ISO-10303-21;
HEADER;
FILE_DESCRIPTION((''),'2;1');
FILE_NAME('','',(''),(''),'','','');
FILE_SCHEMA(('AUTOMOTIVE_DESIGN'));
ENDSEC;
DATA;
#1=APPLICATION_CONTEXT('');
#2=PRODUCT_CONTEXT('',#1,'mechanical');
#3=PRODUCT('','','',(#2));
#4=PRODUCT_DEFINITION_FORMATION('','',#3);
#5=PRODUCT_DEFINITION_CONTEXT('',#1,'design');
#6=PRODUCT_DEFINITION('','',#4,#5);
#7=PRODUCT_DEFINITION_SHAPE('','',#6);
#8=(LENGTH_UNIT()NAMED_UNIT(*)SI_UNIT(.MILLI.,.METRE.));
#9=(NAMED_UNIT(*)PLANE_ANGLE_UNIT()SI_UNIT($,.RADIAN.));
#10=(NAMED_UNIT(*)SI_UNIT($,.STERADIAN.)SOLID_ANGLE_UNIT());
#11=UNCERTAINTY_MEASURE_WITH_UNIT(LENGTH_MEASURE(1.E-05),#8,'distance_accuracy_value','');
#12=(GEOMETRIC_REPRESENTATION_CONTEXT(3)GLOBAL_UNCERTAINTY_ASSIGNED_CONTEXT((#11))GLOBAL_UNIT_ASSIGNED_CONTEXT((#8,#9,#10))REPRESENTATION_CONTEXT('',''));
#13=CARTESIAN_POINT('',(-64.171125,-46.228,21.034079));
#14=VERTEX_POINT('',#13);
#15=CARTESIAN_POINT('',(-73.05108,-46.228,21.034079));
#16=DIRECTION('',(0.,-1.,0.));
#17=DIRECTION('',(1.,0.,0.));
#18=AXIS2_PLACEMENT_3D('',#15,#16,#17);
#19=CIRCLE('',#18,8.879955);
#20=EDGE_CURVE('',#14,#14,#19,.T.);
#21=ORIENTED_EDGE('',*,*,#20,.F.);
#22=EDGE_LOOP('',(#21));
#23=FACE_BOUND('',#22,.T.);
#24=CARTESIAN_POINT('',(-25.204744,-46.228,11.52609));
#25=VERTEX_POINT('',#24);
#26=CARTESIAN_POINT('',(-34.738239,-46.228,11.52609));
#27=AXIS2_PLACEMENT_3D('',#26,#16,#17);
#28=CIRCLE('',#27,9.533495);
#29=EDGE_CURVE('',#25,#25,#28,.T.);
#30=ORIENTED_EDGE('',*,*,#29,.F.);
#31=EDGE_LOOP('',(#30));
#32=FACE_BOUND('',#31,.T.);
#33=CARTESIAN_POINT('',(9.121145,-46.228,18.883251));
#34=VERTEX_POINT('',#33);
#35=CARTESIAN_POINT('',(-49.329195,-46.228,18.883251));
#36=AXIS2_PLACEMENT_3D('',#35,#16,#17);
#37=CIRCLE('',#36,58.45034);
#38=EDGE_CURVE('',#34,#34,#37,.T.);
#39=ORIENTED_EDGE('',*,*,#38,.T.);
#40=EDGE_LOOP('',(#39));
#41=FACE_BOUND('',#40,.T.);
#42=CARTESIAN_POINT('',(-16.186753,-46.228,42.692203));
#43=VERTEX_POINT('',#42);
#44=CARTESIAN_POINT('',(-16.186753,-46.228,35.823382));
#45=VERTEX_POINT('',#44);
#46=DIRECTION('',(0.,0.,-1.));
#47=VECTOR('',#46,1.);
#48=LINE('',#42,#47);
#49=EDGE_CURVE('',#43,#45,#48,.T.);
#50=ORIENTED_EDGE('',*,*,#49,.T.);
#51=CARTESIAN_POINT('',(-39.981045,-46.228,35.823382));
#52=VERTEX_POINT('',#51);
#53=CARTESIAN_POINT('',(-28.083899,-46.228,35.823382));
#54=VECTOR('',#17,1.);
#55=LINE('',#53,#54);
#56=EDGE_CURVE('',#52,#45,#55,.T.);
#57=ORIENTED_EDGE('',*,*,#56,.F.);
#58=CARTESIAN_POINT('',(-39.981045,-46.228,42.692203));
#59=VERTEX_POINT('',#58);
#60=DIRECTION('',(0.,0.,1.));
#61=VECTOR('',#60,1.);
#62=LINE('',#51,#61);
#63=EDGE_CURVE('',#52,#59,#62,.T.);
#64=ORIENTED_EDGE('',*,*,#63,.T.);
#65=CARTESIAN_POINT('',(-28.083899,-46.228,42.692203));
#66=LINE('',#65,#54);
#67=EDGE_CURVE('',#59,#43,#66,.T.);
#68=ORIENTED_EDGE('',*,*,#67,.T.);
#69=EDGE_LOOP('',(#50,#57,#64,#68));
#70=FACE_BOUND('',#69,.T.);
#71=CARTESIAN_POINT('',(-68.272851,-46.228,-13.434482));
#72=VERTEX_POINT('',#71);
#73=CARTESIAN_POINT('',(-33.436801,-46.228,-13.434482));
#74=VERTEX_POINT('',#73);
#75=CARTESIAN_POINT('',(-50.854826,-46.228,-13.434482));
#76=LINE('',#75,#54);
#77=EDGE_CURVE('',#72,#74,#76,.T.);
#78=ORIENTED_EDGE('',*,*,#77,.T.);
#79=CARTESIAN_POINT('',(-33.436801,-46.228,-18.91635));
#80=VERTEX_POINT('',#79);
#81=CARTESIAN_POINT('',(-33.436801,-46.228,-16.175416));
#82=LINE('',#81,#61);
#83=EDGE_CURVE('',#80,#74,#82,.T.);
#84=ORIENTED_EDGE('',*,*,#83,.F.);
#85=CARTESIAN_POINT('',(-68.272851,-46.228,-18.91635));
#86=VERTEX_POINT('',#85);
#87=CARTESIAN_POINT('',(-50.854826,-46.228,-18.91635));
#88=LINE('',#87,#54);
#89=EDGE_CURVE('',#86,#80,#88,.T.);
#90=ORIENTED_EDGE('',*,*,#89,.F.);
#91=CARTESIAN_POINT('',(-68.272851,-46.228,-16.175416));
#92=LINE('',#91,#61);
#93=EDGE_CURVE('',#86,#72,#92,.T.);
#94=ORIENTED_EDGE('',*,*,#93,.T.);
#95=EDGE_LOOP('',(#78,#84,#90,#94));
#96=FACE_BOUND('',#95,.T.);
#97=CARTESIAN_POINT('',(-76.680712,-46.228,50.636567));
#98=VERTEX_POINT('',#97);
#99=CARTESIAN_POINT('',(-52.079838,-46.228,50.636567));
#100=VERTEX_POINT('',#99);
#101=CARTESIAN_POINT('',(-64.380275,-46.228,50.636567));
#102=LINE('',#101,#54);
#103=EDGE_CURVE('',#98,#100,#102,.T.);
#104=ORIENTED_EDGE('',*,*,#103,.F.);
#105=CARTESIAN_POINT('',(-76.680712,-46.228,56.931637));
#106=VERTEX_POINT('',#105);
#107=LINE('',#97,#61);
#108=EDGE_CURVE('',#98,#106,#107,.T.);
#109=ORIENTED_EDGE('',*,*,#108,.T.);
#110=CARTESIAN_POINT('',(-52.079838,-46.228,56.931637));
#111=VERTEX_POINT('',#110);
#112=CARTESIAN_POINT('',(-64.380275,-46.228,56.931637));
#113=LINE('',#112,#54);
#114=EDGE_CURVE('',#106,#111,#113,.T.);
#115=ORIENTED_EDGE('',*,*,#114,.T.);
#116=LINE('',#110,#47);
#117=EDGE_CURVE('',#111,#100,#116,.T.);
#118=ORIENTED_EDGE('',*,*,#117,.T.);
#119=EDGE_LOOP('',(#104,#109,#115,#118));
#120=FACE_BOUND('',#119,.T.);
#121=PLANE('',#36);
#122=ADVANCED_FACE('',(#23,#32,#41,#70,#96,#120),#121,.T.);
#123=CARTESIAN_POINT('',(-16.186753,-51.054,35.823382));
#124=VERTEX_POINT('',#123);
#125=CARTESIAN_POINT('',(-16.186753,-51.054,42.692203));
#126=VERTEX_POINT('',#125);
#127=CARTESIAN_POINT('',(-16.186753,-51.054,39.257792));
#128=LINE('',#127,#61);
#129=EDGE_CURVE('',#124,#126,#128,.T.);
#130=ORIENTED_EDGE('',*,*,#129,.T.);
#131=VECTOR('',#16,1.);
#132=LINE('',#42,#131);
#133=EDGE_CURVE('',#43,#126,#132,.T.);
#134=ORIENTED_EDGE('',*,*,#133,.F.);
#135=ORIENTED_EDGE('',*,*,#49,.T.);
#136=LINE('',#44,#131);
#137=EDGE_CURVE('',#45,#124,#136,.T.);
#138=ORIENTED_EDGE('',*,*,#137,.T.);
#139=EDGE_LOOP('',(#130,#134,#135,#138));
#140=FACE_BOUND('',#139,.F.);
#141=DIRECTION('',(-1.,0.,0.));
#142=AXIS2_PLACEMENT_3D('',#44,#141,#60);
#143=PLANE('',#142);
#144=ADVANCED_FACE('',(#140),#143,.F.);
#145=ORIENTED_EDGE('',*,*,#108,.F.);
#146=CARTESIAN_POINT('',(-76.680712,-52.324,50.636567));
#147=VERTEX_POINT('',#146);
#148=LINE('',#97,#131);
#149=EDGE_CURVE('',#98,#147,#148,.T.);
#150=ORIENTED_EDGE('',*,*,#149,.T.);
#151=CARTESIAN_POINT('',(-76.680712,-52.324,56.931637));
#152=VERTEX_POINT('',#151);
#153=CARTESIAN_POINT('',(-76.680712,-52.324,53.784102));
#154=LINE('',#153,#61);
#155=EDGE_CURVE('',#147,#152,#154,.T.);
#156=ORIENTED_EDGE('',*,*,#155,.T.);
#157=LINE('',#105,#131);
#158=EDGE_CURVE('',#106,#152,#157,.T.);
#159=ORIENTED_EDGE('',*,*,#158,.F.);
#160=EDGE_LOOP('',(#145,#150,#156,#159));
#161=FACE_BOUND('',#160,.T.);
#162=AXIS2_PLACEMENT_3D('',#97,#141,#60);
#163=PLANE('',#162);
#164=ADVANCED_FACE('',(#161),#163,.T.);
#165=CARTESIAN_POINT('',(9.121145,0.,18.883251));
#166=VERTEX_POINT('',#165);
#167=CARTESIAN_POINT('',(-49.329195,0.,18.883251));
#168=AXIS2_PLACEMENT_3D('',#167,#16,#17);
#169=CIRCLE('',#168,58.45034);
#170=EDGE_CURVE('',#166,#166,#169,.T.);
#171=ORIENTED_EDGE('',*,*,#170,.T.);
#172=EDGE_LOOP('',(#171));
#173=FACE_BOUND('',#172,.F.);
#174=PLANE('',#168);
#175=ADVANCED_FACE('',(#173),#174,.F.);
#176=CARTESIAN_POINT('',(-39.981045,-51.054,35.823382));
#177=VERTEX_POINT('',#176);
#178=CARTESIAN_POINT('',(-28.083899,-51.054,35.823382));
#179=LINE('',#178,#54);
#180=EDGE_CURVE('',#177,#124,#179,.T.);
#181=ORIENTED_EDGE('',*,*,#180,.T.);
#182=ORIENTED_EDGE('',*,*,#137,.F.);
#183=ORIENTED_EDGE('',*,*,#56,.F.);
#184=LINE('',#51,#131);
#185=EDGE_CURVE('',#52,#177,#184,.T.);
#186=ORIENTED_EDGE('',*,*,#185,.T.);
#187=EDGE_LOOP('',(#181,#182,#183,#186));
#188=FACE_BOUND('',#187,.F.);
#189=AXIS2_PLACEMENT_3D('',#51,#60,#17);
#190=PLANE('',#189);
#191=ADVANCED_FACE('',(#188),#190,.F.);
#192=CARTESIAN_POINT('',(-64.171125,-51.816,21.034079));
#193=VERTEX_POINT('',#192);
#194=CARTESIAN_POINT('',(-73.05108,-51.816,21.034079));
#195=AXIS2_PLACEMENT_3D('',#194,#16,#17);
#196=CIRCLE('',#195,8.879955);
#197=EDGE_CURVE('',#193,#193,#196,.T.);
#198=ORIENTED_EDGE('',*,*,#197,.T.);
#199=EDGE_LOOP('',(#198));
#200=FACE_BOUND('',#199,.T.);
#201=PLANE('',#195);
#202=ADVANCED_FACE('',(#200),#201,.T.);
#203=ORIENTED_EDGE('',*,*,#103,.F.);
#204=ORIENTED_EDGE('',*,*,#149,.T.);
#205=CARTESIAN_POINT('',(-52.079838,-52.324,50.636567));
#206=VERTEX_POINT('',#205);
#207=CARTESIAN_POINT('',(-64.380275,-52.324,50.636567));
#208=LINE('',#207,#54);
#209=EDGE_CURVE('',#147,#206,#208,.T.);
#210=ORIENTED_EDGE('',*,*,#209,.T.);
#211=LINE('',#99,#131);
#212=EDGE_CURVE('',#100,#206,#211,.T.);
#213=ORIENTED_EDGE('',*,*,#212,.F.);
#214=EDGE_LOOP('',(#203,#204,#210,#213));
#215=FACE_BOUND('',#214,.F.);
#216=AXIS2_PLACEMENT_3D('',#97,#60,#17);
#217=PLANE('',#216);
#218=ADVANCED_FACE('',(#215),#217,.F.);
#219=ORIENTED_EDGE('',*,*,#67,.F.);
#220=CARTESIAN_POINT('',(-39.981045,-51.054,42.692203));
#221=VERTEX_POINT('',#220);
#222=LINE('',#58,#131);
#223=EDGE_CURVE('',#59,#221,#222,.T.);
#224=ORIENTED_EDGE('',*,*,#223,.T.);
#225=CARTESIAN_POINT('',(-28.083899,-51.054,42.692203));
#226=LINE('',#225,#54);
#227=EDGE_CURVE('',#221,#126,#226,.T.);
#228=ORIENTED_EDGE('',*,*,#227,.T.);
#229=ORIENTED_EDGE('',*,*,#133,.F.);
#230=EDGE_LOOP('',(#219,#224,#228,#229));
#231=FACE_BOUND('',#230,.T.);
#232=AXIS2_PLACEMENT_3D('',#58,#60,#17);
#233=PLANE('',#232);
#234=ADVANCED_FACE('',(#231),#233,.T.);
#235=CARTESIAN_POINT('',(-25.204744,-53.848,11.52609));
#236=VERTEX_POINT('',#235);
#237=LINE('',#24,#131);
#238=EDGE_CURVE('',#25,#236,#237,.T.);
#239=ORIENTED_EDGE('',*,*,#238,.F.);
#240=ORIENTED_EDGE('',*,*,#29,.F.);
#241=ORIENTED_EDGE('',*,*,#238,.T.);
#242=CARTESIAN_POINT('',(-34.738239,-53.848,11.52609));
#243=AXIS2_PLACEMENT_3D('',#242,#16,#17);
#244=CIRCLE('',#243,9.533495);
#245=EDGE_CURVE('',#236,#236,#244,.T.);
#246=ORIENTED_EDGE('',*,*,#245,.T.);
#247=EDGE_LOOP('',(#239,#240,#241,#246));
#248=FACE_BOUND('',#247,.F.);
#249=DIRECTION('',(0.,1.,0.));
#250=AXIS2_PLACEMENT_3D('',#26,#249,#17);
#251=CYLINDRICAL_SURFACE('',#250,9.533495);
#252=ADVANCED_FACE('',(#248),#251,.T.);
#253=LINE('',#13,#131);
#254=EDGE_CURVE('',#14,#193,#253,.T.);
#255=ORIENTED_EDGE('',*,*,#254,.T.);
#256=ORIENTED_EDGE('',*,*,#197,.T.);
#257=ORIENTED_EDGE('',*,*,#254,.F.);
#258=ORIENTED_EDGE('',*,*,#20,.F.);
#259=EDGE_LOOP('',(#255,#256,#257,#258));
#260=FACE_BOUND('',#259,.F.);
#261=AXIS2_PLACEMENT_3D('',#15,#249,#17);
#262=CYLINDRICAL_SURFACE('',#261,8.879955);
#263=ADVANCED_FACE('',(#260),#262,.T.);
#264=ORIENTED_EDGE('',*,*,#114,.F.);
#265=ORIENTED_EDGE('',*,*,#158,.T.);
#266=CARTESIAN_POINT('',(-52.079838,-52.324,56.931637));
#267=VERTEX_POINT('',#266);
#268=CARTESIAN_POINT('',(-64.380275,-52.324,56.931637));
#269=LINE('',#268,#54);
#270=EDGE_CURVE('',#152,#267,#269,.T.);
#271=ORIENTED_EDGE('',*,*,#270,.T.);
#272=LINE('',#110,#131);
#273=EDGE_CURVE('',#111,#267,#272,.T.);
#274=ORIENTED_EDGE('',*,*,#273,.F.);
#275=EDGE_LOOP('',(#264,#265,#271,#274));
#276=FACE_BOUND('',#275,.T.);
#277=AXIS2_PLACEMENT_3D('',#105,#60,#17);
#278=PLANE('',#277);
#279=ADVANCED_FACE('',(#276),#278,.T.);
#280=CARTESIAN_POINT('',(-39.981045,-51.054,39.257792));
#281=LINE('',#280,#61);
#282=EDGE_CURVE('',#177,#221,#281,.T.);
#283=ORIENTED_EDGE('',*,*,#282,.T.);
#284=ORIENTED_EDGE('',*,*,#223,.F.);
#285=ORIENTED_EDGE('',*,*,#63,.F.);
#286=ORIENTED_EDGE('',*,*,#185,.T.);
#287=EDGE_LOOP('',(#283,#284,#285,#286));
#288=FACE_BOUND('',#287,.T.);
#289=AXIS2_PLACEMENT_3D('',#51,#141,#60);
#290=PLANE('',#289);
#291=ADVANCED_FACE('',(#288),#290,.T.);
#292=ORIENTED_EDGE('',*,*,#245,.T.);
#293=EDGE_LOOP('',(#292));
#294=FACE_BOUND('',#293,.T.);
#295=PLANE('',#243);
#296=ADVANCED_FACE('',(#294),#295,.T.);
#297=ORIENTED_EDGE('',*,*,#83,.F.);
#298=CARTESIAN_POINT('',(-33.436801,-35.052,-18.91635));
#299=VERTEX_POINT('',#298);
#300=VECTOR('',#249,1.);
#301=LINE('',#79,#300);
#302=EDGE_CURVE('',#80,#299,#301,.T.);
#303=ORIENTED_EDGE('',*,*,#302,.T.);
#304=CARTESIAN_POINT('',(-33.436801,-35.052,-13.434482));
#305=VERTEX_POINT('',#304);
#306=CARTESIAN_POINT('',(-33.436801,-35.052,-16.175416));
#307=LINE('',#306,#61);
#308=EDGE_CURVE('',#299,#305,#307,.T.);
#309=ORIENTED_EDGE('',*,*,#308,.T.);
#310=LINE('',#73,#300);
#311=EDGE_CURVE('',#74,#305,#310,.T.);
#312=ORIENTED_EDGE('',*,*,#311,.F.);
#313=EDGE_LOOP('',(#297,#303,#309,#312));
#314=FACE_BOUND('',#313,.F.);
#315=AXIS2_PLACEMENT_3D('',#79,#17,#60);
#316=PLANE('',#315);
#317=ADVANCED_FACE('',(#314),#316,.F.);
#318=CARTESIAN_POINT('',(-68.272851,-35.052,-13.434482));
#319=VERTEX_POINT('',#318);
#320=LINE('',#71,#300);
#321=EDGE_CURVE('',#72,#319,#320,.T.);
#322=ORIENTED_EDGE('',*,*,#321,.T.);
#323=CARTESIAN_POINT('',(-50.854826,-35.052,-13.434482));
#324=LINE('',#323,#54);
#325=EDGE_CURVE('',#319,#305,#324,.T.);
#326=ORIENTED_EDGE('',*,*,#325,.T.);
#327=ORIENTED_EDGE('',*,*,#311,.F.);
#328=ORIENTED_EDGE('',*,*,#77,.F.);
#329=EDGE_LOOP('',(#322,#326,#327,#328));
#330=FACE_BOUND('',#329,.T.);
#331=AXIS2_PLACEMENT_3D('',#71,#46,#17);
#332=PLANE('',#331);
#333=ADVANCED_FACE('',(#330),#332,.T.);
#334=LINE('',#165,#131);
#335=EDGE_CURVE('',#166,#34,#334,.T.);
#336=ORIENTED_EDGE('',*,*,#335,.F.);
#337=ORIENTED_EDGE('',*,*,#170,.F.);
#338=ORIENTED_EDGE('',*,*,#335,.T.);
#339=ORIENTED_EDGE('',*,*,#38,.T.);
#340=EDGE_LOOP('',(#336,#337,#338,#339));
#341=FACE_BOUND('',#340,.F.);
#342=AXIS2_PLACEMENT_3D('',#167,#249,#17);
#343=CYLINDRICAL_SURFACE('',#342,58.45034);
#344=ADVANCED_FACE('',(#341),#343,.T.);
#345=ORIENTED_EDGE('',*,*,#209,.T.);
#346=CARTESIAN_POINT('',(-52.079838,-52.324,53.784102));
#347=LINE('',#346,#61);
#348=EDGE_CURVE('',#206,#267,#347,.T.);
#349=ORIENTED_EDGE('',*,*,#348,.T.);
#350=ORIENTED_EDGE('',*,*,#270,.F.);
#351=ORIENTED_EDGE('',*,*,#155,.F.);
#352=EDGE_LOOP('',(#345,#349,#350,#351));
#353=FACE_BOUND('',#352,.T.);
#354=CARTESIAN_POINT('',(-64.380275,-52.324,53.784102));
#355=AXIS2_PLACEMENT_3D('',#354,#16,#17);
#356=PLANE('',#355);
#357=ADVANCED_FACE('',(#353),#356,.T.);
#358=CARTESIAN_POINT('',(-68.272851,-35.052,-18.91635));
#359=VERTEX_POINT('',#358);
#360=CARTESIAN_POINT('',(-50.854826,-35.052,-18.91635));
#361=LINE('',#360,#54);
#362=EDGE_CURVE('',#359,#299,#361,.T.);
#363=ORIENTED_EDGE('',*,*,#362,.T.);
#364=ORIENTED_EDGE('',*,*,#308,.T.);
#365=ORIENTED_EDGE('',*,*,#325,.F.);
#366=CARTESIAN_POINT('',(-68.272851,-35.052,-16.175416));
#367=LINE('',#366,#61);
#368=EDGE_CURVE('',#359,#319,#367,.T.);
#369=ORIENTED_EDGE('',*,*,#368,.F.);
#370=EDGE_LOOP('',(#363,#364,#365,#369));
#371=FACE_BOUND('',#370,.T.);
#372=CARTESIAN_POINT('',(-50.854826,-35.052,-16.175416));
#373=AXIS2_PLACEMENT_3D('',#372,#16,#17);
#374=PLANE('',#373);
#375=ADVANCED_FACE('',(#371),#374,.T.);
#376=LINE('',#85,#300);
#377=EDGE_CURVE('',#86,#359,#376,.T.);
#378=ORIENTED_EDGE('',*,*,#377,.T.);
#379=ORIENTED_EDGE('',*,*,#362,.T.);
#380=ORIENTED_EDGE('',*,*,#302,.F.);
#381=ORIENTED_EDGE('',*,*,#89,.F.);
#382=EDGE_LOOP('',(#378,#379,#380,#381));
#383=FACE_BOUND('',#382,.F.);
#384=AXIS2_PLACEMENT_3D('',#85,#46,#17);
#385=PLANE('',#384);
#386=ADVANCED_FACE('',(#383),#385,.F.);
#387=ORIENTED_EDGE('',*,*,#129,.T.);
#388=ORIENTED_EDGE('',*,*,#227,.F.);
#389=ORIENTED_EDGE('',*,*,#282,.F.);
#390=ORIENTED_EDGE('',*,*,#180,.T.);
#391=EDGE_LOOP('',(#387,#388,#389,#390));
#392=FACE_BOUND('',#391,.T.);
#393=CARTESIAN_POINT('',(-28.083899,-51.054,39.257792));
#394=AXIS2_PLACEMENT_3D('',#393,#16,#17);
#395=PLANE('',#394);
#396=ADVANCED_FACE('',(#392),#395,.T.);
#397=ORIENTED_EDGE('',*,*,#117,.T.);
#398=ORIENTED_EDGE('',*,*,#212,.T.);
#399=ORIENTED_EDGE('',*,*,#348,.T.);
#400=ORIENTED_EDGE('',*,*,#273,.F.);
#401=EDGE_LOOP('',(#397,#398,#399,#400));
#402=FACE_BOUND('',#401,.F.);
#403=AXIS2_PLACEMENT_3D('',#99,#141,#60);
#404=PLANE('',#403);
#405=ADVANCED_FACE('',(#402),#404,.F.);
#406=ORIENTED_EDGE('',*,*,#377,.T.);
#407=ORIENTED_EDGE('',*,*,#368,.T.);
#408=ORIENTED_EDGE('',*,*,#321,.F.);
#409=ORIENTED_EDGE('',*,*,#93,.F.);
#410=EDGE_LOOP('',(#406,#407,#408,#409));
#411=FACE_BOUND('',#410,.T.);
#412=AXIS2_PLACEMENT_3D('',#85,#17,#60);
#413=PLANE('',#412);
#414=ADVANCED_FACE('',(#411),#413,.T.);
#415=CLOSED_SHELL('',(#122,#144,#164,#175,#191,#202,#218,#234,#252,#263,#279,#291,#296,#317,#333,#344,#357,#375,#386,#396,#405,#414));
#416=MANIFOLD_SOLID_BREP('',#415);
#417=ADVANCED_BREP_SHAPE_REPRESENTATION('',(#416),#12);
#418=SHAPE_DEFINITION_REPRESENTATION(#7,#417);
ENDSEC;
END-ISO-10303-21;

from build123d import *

# Parameters (mm, degrees)
F0_R        = 58.45034
F1_DEPTH    = 46.228
F2_W        = 24.600874
F2_H        = 6.29507
F3_DEPTH    = 6.096
F4_W        = 23.794292
F4_H        = 6.868821
F5_DEPTH    = 4.826
F6_R        = 8.879955
F7_DEPTH    = 5.588
F8_R        = 9.533495
F9_DEPTH    = 7.62
F1_FACE_R   = 58.45034
F1_FACE_R_2 = 8.879955
F1_FACE_R_3 = 9.533495
F1_FACE_W   = 24.600874
F1_FACE_H   = 6.29507
F1_FACE_W_2 = 23.794292
F1_FACE_H_2 = 6.86882
F11_DEPTH   = 6.604
F12_W       = 34.83605
F12_H       = 5.481868
F13_DEPTH   = 11.176


with BuildPart() as f1:
    # F0 (on Front) → F1 (new body)
    with BuildSketch(Plane.XZ):
        with Locations((-49.329195, 18.883251)):
            Circle(F0_R)
    extrude(amount=F1_DEPTH)

    # F2 (on face) → F3 (join)
    with BuildSketch(Plane.XZ.offset(46.228)):
        with Locations((-64.380275, 53.784102)):
            Rectangle(F2_W, F2_H)
    extrude(amount=F3_DEPTH)

    # F4 (on face) → F5 (join)
    with BuildSketch(Plane.XZ.offset(46.228)):
        with Locations((-28.083899, 39.257792)):
            Rectangle(F4_W, F4_H)
    extrude(amount=F5_DEPTH)

    # F6 (on face) → F7 (join)
    with BuildSketch(Plane.XZ.offset(46.228)):
        with Locations((-73.05108, 21.034079)):
            Circle(F6_R)
    extrude(amount=F7_DEPTH)

    # F8 (on face) → F9 (join)
    with BuildSketch(Plane.XZ.offset(46.228)):
        with Locations((-34.738239, 11.52609)):
            Circle(F8_R)
    extrude(amount=F9_DEPTH)

    # F1_face (on face) → F11 (join)
    with BuildSketch(Plane(origin=(-49.329195, -46.228, 18.883251), x_dir=(1, 0, 0), z_dir=(0, -1, 0))):
        Circle(F1_FACE_R)
        with Locations((-23.721885, 2.150828)):
            Circle(F1_FACE_R_2, mode=Mode.SUBTRACT)
        with Locations((14.590956, -7.357161)):
            Circle(F1_FACE_R_3, mode=Mode.SUBTRACT)
        with Locations((-15.05108, 34.900852)):
            Rectangle(F1_FACE_W, F1_FACE_H, mode=Mode.SUBTRACT)
        with Locations((21.245296, 20.374542)):
            Rectangle(F1_FACE_W_2, F1_FACE_H_2, mode=Mode.SUBTRACT)
    extrude(amount=-F11_DEPTH)

    # F12 (on face) → F13 (cut)
    with BuildSketch(Plane.XZ.offset(46.228)):
        with Locations((-50.854826, -16.175416)):
            Rectangle(F12_W, F12_H)
    extrude(amount=-F13_DEPTH, mode=Mode.SUBTRACT)


solid = f1.part
